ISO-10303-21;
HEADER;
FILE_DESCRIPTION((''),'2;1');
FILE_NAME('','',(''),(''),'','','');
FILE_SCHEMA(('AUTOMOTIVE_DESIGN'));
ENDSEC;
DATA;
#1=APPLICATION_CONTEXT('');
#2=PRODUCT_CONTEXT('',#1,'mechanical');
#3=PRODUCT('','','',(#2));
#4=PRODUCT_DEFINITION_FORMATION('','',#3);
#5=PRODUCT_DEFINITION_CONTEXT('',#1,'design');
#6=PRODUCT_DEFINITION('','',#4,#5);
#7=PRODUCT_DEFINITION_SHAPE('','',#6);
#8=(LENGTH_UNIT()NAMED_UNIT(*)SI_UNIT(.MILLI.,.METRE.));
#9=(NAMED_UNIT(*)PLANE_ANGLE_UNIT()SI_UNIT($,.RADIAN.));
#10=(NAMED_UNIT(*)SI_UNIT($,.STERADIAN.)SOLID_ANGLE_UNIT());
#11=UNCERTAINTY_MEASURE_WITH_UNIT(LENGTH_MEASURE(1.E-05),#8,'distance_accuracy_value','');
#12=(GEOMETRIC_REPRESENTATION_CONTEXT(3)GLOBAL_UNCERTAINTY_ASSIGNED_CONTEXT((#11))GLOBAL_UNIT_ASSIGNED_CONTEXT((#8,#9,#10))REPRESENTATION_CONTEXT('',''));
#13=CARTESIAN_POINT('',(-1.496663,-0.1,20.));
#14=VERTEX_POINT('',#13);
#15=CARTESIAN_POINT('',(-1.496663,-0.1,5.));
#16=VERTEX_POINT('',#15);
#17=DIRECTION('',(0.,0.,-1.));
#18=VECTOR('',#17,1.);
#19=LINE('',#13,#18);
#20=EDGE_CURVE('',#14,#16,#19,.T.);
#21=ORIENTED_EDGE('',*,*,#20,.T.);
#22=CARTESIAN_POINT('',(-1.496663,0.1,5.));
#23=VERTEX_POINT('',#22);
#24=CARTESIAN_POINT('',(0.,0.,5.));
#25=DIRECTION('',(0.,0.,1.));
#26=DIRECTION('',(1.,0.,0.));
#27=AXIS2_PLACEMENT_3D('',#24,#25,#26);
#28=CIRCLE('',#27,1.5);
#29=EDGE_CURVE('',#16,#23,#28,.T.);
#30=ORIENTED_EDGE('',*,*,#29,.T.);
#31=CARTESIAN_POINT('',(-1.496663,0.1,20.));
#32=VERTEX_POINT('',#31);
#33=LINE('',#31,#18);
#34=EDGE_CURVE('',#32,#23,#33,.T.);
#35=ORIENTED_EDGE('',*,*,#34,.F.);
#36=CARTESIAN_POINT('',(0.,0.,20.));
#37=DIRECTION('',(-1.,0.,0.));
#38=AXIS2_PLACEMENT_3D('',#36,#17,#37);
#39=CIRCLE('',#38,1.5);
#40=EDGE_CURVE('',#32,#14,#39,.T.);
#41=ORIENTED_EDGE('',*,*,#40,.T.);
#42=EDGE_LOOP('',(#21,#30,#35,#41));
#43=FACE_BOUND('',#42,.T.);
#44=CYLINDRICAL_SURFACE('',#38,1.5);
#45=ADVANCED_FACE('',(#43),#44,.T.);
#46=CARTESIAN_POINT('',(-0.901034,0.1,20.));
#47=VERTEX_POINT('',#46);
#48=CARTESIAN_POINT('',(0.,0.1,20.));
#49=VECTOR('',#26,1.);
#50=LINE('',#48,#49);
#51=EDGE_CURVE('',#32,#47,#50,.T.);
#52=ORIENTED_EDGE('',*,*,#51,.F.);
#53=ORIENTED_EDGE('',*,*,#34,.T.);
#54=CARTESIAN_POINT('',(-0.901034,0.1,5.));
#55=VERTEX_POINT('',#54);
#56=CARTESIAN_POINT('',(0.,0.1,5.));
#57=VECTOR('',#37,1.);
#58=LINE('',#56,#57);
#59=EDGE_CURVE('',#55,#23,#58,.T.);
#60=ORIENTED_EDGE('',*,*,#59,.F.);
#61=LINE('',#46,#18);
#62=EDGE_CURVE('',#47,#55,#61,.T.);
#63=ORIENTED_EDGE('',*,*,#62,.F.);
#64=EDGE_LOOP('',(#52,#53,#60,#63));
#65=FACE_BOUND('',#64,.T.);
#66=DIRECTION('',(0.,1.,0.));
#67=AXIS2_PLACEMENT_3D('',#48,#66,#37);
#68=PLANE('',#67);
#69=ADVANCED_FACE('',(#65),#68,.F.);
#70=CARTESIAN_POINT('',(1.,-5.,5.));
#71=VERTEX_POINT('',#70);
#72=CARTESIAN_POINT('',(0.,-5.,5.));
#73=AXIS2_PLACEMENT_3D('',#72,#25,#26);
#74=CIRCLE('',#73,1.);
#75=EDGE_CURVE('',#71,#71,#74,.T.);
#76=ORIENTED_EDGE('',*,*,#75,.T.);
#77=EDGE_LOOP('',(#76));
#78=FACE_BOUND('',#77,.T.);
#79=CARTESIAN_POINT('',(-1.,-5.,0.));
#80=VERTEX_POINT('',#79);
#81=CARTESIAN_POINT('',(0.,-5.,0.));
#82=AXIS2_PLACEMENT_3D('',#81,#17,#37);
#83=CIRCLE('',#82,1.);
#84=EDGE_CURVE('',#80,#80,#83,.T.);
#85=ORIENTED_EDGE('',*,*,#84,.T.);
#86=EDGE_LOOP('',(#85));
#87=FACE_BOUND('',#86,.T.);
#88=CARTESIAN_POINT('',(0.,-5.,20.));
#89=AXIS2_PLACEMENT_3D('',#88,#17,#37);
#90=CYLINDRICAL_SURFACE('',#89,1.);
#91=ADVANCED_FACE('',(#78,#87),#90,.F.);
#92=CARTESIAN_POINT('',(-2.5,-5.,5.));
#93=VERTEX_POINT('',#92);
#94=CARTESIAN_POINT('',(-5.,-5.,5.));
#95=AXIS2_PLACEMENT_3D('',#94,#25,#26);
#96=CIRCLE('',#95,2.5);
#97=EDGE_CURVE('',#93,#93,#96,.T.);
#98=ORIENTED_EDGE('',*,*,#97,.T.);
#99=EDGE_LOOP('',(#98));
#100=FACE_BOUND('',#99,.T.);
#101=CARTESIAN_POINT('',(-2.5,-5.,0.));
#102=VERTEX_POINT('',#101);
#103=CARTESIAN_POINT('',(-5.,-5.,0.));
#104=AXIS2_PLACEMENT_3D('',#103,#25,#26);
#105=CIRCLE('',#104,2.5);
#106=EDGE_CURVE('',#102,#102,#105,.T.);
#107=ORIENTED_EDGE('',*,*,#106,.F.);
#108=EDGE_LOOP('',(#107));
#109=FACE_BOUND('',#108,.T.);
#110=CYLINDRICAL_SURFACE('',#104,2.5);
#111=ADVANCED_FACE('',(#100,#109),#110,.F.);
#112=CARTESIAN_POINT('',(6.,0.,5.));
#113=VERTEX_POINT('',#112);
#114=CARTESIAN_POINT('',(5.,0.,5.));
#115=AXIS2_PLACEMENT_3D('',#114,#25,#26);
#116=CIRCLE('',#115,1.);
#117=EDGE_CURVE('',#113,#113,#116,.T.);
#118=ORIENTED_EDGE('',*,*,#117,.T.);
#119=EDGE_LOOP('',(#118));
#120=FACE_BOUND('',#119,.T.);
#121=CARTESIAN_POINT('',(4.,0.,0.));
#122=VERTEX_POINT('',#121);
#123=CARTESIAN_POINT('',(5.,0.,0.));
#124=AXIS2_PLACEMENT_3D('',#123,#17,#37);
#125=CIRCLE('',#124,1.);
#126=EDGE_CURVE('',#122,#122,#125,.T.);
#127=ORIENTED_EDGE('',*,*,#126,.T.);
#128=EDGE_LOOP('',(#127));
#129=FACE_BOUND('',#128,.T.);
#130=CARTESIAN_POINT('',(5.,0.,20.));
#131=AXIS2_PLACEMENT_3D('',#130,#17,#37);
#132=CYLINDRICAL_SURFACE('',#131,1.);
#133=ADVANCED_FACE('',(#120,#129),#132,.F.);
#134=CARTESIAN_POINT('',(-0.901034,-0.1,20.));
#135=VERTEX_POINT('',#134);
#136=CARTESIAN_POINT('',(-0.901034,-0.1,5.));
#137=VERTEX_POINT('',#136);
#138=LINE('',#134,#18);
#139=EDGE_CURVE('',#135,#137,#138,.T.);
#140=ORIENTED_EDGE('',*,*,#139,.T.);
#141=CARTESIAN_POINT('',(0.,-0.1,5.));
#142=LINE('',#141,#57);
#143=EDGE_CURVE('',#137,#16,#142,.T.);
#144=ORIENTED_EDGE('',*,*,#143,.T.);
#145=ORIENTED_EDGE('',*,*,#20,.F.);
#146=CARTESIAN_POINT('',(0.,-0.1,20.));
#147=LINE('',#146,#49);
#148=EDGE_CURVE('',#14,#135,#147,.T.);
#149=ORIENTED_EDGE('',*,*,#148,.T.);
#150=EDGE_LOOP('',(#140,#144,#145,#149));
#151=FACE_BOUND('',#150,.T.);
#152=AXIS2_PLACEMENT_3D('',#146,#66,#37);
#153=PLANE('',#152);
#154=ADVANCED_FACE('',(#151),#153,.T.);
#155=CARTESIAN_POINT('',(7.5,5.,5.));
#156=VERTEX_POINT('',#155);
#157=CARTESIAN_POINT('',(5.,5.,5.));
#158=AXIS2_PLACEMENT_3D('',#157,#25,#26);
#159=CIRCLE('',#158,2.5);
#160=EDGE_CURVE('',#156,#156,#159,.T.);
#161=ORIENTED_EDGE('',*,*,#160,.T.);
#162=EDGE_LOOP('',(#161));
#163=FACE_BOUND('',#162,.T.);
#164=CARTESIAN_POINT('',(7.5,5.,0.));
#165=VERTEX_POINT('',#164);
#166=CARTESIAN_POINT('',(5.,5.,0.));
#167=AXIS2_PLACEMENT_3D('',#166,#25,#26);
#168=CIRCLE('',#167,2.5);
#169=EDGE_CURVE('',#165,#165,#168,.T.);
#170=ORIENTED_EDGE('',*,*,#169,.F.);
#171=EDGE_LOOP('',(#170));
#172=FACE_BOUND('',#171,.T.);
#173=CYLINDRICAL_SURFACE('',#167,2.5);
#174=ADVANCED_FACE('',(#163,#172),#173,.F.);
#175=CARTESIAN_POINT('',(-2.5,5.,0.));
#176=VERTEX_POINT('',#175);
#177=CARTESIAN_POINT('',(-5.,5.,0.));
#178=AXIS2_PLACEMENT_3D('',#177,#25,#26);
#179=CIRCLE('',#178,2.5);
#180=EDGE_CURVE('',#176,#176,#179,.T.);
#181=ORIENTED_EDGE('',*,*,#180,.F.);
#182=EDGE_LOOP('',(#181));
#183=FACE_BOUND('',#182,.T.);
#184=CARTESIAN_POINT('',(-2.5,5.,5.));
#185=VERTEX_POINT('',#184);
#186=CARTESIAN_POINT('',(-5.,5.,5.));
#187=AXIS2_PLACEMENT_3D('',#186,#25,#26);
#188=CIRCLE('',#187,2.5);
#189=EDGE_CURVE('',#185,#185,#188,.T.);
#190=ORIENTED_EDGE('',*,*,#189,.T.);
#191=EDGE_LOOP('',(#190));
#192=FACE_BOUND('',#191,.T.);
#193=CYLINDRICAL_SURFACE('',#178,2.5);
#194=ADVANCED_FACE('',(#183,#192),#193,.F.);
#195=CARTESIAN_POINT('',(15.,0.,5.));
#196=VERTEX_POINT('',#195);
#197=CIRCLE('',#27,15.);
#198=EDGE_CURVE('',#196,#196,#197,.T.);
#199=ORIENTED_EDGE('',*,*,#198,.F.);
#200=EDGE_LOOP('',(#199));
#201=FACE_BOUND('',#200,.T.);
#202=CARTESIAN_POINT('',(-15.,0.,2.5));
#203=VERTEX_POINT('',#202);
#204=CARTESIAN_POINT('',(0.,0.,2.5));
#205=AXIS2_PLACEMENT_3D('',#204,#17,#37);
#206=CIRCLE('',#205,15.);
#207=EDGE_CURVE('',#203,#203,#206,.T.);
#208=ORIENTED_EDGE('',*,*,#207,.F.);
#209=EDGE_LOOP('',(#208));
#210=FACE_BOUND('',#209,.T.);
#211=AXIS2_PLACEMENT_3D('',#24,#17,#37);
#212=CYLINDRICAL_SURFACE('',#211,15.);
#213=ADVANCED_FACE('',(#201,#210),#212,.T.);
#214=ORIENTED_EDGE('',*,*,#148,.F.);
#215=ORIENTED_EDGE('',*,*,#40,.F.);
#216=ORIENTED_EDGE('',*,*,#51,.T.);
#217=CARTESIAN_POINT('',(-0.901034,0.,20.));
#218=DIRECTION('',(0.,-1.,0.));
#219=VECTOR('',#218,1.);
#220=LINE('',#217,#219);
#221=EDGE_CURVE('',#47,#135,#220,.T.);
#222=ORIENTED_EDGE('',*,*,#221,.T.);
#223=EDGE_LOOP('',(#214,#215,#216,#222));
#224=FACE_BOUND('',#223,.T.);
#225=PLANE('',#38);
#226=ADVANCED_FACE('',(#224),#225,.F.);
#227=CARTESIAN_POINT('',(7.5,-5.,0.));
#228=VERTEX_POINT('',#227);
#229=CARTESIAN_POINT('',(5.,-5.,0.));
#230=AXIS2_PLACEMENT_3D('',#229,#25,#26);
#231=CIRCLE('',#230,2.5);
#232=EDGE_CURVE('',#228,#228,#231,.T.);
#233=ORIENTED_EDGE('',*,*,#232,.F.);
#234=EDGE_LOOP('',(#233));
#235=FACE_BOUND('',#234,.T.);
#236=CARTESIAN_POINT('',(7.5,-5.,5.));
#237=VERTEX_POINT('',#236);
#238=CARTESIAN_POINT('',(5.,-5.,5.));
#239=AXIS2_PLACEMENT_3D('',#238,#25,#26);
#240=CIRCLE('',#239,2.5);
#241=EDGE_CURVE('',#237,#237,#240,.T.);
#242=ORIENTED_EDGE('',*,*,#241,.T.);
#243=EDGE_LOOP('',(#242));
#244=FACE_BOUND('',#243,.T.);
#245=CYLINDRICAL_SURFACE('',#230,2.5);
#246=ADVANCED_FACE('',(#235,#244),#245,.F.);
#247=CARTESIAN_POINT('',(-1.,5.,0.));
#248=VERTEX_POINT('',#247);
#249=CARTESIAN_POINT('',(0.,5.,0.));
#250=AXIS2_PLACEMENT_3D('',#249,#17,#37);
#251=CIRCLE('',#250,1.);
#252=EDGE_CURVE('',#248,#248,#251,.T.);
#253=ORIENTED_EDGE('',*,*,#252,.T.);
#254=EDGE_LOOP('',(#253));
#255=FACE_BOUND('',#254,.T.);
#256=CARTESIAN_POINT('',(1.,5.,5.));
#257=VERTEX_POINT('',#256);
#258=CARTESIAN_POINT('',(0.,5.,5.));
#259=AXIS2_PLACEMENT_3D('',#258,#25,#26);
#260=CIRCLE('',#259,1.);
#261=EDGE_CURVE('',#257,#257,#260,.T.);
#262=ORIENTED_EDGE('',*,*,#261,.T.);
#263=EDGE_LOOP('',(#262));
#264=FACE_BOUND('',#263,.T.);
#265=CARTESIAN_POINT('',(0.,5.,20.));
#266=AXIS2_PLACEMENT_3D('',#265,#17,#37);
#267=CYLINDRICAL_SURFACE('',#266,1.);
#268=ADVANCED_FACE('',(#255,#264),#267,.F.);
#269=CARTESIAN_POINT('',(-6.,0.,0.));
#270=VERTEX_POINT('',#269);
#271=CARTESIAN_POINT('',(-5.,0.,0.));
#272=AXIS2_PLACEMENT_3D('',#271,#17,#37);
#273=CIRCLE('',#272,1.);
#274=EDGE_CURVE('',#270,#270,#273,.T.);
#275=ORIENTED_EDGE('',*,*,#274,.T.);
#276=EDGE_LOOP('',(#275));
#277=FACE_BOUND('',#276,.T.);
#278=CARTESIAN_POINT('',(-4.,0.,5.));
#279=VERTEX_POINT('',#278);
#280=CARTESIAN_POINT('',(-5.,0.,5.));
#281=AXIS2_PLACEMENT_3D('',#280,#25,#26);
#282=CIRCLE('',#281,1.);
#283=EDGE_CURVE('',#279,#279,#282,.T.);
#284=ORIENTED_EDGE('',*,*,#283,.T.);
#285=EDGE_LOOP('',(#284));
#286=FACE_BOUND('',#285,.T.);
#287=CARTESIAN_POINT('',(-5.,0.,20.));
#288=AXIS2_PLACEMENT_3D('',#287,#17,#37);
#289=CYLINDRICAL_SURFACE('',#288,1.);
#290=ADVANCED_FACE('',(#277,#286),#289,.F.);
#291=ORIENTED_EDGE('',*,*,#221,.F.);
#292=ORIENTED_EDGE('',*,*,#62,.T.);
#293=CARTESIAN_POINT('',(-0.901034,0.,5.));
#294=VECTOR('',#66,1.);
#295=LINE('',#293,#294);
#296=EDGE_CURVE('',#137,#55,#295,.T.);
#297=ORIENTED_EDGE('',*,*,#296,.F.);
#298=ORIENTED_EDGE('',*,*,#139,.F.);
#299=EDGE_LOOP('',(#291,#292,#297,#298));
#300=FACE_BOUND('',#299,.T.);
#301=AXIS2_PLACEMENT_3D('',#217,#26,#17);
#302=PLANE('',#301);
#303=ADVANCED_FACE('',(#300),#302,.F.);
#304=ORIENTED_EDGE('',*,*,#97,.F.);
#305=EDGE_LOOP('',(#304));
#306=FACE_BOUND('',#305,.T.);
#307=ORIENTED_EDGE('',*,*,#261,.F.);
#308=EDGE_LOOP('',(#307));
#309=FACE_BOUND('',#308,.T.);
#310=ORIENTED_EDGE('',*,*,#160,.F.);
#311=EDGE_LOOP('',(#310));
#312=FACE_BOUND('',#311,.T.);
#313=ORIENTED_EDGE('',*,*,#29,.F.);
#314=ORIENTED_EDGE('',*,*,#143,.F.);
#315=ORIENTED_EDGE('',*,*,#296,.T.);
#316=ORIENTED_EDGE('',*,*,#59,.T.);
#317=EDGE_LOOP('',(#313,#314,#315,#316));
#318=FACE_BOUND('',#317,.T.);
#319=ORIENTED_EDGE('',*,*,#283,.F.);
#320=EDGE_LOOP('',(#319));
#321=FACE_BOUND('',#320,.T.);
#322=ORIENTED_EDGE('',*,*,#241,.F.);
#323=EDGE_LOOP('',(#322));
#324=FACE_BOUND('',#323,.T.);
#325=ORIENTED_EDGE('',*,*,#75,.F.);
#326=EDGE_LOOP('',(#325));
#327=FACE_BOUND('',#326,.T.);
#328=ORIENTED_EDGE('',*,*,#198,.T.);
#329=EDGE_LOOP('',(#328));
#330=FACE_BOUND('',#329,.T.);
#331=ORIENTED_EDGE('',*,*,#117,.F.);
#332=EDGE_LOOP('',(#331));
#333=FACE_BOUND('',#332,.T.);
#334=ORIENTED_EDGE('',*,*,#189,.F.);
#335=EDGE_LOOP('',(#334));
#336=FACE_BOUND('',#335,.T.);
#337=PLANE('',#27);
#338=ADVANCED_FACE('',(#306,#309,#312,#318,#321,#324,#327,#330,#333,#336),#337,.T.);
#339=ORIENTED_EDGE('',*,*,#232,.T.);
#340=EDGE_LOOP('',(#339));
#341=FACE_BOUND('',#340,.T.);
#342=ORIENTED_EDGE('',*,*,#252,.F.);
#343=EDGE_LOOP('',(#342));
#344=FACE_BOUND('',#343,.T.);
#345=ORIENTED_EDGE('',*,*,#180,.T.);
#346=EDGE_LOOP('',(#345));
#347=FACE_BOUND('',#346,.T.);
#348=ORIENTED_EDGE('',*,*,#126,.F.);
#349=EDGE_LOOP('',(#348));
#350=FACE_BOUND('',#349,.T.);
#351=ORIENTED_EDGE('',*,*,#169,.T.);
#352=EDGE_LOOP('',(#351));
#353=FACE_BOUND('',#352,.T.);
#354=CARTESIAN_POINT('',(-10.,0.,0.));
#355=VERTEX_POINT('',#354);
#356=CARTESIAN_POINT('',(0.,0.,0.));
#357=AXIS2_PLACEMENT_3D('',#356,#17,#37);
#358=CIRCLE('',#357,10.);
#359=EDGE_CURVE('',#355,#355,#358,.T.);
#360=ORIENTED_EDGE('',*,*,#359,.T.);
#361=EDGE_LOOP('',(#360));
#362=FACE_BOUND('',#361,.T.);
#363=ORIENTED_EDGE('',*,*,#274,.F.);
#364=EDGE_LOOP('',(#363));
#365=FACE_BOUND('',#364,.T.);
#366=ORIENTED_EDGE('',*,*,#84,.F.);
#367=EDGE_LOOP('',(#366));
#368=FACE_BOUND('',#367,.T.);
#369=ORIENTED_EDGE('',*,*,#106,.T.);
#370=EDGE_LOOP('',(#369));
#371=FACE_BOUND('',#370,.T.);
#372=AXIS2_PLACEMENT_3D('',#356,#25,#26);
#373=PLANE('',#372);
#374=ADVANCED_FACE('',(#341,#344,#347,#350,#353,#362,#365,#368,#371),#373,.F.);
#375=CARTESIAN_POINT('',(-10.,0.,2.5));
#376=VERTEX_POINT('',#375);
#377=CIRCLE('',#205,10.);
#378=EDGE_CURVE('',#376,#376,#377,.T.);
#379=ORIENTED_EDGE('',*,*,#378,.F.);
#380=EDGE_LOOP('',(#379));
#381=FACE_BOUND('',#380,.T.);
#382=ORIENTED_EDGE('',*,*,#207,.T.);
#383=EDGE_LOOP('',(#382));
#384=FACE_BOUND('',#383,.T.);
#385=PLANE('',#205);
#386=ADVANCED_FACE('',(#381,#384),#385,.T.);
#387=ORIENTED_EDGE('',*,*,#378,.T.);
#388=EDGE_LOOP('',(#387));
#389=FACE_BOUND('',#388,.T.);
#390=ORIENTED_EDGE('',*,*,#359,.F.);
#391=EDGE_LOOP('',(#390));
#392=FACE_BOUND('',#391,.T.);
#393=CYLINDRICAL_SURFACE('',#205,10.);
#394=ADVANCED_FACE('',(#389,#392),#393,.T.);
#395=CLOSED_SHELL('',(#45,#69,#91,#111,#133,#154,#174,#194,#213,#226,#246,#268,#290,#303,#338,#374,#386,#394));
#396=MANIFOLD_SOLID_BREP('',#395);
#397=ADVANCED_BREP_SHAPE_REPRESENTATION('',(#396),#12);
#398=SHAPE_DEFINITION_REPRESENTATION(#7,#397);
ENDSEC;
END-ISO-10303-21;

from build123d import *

# Parameters (mm, degrees)
SKETCH1_R              = 15
BODY_DEPTH             = 5
SKETCH2_R              = 15
SKETCH2_R_2            = 10
SLEW_BEARING_LIP_DEPTH = 2.5
SKETCH3_R              = 2.5
CUT_EXTRUDE2_DEPTH     = 22.794494718
BOSS_EXTRUDE1_DEPTH    = 20
SKETCH5_R              = 1
CUT_EXTRUDE3_DEPTH     = 30.154759474


with BuildPart() as part:
    # Sketch1 → body (new body)
    with BuildSketch(Plane.XY):
        Circle(SKETCH1_R)
    extrude(amount=BODY_DEPTH)

    # Sketch2 → slew bearing lip (cut)
    with BuildSketch(Plane(origin=(0, 0, 0), x_dir=(-1, 0, 0), z_dir=(0, 0, -1))):
        Circle(SKETCH2_R)
        Circle(SKETCH2_R_2, mode=Mode.SUBTRACT)
    extrude(amount=-SLEW_BEARING_LIP_DEPTH, mode=Mode.SUBTRACT)

    # Sketch3 → Cut-Extrude2 (cut, through all)
    with BuildSketch(Plane.XY.offset(5)):
        with Locations((-5, 5)):
            Circle(SKETCH3_R)
        with Locations((5, 5)):
            Circle(SKETCH3_R)
        with Locations((5, -5)):
            Circle(SKETCH3_R)
        with Locations((-5, -5)):
            Circle(SKETCH3_R)
    extrude(amount=-CUT_EXTRUDE2_DEPTH, mode=Mode.SUBTRACT)

    # Sketch4 → Boss-Extrude1 (add)
    with BuildSketch(Plane(origin=(0, 0, 0), x_dir=(-1, 0, 0), z_dir=(0, 0, -1))):
        with BuildLine():
            Line((0.90103413, 0.1), (1.496662955, 0.1))
            ThreePointArc((1.496662955, 0.1), (-1.5, 0), (1.496662955, -0.1))
            Line((1.496662955, -0.1), (0.90103413, -0.1))
            Line((0.90103413, -0.1), (0.90103413, 0.1))
        make_face()
    extrude(amount=-BOSS_EXTRUDE1_DEPTH)

    # Sketch5 → Cut-Extrude3 (cut, through all)
    with BuildSketch(Plane(origin=(0, 0, 0), x_dir=(-1, 0, 0), z_dir=(0, 0, -1))):
        with Locations((0, 5)):
            Circle(SKETCH5_R)
        with Locations((5, 0)):
            Circle(SKETCH5_R)
        with Locations((0, -5)):
            Circle(SKETCH5_R)
        with Locations((-5, 0)):
            Circle(SKETCH5_R)
    extrude(amount=-CUT_EXTRUDE3_DEPTH, mode=Mode.SUBTRACT)


solid = part.part
